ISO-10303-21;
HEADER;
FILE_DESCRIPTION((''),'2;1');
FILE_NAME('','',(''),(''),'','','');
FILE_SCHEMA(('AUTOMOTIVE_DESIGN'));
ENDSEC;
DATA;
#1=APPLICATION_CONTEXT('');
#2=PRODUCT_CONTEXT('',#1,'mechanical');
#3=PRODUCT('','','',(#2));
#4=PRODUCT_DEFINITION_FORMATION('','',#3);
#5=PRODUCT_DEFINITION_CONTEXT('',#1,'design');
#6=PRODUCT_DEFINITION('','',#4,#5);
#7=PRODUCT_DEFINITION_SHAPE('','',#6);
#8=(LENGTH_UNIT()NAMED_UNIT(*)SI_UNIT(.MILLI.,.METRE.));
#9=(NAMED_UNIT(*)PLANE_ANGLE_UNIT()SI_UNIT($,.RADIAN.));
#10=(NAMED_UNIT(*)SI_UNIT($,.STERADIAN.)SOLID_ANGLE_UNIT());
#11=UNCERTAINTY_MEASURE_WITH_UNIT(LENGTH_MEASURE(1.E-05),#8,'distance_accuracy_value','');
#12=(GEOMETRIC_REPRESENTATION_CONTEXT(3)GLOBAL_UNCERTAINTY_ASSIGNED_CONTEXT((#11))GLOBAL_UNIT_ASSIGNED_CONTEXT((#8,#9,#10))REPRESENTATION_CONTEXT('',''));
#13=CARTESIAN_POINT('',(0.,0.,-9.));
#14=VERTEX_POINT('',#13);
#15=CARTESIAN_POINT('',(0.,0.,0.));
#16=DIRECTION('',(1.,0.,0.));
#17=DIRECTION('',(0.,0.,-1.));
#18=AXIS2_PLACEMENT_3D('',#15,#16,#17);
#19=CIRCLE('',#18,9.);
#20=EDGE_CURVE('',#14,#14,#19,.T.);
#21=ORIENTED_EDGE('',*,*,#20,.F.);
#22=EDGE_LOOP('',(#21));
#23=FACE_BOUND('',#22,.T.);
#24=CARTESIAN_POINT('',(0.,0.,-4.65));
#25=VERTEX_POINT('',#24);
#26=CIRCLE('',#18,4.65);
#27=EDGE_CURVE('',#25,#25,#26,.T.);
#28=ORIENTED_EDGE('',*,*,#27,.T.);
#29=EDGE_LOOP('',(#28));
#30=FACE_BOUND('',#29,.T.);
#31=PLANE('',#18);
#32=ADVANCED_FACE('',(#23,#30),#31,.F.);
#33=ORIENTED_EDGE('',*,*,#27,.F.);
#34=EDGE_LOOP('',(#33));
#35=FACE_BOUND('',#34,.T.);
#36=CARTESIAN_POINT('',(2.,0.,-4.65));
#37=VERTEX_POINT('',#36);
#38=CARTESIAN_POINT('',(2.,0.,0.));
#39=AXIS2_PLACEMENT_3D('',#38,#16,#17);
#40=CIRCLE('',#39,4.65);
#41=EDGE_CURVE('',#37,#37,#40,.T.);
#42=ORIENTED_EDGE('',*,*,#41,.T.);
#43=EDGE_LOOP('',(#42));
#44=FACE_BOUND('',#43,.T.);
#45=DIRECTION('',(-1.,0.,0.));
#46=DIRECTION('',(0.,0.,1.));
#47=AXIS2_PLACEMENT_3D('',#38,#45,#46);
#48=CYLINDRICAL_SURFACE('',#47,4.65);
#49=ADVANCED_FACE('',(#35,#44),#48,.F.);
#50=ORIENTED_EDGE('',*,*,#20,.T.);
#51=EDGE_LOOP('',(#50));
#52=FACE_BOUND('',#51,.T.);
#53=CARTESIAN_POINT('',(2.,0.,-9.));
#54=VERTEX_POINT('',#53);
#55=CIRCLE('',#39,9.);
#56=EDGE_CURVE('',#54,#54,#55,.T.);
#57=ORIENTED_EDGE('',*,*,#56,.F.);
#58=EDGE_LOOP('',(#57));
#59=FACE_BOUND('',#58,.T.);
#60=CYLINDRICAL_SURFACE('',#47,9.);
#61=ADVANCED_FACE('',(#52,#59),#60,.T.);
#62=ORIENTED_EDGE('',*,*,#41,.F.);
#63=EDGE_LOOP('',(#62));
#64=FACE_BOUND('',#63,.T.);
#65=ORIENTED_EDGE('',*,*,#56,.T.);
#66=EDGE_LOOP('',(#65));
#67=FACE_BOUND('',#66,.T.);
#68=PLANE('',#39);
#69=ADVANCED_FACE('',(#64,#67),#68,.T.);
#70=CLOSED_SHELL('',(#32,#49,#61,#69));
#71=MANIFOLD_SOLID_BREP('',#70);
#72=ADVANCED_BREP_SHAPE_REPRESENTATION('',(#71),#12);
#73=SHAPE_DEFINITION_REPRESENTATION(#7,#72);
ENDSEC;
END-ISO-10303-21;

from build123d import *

# Parameters (mm, degrees)
SKETCH1_R          = 9
SKETCH1_R_2        = 4.65
BASE_EXTRUDE_DEPTH = 2


with BuildPart() as part:
    # Sketch1 → Base-Extrude (new body)
    with BuildSketch(Plane(origin=(0, 0, 0), x_dir=(0, 0, -1), z_dir=(1, 0, 0))):
        Circle(SKETCH1_R)
        Circle(SKETCH1_R_2, mode=Mode.SUBTRACT)
    extrude(amount=BASE_EXTRUDE_DEPTH)


solid = part.part
